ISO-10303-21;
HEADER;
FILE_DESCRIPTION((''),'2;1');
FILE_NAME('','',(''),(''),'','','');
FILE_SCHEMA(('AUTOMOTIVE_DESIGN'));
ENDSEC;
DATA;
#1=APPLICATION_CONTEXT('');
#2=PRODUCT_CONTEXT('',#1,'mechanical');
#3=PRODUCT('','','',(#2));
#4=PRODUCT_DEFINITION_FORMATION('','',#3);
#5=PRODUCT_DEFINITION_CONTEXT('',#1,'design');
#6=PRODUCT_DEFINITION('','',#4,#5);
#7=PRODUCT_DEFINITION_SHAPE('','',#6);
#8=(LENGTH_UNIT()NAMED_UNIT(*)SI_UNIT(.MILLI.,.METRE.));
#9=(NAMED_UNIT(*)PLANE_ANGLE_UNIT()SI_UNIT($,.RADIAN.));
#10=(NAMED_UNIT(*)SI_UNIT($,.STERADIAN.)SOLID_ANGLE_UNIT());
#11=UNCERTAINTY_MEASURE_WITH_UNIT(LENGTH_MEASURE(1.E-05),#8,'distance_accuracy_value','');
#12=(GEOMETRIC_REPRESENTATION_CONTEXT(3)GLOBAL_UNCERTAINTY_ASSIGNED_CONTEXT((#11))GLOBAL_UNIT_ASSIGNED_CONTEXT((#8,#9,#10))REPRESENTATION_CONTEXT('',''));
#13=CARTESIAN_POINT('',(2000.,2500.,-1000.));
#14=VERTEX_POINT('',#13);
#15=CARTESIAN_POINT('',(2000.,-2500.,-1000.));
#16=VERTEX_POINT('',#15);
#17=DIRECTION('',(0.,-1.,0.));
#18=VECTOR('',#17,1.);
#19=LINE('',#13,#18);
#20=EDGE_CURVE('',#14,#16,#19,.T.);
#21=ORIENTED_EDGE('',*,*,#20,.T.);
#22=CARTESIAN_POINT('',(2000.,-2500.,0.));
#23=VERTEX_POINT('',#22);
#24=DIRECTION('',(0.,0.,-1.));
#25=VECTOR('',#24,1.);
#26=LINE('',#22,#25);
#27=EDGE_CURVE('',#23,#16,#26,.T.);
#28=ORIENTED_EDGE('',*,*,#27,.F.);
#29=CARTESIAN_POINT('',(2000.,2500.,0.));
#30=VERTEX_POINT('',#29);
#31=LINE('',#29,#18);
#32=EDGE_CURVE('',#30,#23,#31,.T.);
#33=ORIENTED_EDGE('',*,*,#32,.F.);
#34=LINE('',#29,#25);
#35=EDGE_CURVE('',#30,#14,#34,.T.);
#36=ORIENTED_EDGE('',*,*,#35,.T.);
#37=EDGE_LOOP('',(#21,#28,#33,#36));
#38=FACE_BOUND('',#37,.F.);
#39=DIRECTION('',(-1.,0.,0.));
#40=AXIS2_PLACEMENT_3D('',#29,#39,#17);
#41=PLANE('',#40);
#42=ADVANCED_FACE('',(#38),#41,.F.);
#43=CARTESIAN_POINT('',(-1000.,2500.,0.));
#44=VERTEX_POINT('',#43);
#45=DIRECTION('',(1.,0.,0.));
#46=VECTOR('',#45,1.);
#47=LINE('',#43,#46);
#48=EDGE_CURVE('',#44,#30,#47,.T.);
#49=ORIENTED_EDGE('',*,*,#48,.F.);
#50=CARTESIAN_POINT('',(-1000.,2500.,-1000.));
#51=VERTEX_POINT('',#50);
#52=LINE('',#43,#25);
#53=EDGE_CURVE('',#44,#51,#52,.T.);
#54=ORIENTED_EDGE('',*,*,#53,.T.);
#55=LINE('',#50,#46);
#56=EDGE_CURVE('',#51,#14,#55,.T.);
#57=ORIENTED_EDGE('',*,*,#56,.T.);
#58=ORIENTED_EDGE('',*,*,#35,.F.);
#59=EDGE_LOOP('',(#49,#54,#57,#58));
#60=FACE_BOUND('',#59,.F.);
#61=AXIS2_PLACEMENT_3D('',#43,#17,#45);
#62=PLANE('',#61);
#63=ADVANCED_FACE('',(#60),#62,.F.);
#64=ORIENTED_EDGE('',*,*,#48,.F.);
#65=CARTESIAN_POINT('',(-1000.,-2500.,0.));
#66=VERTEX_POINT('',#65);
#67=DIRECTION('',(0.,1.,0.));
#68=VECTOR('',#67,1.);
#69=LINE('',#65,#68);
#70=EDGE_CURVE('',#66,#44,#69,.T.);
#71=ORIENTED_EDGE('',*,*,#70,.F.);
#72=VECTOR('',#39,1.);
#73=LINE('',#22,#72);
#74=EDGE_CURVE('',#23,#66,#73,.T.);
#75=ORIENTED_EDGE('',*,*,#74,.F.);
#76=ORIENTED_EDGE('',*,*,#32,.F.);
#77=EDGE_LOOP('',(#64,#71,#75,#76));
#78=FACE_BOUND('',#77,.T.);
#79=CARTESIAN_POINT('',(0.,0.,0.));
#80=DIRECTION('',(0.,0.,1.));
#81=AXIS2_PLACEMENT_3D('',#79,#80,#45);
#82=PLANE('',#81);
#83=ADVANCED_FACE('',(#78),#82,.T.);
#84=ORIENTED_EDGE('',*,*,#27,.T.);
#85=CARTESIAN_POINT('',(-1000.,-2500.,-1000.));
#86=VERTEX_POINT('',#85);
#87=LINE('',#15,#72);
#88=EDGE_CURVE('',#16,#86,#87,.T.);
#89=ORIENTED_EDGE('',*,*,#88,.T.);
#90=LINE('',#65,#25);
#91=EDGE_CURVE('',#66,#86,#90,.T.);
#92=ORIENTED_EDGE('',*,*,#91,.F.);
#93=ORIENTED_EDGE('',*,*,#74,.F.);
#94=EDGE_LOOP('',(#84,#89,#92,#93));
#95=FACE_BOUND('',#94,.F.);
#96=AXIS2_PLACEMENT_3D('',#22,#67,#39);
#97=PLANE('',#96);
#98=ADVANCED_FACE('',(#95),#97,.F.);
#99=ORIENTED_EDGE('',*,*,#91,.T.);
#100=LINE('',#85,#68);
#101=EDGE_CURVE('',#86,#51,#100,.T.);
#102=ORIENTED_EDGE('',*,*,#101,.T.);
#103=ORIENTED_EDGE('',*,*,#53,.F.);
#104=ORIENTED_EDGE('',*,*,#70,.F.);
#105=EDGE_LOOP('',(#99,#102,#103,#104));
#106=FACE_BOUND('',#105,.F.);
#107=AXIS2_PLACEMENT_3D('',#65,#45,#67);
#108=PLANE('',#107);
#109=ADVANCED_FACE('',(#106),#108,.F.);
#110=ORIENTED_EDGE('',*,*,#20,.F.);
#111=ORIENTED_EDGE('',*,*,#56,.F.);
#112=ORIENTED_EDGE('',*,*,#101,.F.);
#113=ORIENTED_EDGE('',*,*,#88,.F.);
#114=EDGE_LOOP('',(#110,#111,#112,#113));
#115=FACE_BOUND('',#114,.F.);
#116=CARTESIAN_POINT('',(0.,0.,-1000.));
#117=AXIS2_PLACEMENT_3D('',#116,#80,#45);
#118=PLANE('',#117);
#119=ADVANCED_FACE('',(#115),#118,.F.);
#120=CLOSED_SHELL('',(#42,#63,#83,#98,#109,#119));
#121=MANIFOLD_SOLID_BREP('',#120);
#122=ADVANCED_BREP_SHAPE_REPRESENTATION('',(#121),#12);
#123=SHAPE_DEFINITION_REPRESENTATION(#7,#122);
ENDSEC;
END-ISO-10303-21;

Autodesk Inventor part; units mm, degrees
ref_plane "YZ Plane" through (0, 0, 0) normal (1, 0, 0) x (0, 1, 0)
ref_plane "XZ Plane" through (0, 0, 0) normal (0, 1, 0) x (-1, 0, 0)
ref_plane "XY Plane" through (0, 0, 0) normal (0, 0, 1) x (1, 0, 0)
sketch "スケッチ1" plane through (0, 0, 0) normal (0, 0, 1) x (1, 0, 0)
  line L0 (-1000, 2500) -> (2000, 2500)
  line L1 (2000, 2500) -> (2000, -2500)
  line L2 (2000, -2500) -> (-1000, -2500)
  line L3 (-1000, -2500) -> (-1000, 2500)
  point P0 (0, 0)
  point P1 (-1000, 0)
  dimension "d0" = 1000
  dimension "d1" = 2000
  dimension "d2" = 5000
extrude "押し出し1" add sketch "スケッチ1" against normal blind 1000
properties part number "Ground1"
